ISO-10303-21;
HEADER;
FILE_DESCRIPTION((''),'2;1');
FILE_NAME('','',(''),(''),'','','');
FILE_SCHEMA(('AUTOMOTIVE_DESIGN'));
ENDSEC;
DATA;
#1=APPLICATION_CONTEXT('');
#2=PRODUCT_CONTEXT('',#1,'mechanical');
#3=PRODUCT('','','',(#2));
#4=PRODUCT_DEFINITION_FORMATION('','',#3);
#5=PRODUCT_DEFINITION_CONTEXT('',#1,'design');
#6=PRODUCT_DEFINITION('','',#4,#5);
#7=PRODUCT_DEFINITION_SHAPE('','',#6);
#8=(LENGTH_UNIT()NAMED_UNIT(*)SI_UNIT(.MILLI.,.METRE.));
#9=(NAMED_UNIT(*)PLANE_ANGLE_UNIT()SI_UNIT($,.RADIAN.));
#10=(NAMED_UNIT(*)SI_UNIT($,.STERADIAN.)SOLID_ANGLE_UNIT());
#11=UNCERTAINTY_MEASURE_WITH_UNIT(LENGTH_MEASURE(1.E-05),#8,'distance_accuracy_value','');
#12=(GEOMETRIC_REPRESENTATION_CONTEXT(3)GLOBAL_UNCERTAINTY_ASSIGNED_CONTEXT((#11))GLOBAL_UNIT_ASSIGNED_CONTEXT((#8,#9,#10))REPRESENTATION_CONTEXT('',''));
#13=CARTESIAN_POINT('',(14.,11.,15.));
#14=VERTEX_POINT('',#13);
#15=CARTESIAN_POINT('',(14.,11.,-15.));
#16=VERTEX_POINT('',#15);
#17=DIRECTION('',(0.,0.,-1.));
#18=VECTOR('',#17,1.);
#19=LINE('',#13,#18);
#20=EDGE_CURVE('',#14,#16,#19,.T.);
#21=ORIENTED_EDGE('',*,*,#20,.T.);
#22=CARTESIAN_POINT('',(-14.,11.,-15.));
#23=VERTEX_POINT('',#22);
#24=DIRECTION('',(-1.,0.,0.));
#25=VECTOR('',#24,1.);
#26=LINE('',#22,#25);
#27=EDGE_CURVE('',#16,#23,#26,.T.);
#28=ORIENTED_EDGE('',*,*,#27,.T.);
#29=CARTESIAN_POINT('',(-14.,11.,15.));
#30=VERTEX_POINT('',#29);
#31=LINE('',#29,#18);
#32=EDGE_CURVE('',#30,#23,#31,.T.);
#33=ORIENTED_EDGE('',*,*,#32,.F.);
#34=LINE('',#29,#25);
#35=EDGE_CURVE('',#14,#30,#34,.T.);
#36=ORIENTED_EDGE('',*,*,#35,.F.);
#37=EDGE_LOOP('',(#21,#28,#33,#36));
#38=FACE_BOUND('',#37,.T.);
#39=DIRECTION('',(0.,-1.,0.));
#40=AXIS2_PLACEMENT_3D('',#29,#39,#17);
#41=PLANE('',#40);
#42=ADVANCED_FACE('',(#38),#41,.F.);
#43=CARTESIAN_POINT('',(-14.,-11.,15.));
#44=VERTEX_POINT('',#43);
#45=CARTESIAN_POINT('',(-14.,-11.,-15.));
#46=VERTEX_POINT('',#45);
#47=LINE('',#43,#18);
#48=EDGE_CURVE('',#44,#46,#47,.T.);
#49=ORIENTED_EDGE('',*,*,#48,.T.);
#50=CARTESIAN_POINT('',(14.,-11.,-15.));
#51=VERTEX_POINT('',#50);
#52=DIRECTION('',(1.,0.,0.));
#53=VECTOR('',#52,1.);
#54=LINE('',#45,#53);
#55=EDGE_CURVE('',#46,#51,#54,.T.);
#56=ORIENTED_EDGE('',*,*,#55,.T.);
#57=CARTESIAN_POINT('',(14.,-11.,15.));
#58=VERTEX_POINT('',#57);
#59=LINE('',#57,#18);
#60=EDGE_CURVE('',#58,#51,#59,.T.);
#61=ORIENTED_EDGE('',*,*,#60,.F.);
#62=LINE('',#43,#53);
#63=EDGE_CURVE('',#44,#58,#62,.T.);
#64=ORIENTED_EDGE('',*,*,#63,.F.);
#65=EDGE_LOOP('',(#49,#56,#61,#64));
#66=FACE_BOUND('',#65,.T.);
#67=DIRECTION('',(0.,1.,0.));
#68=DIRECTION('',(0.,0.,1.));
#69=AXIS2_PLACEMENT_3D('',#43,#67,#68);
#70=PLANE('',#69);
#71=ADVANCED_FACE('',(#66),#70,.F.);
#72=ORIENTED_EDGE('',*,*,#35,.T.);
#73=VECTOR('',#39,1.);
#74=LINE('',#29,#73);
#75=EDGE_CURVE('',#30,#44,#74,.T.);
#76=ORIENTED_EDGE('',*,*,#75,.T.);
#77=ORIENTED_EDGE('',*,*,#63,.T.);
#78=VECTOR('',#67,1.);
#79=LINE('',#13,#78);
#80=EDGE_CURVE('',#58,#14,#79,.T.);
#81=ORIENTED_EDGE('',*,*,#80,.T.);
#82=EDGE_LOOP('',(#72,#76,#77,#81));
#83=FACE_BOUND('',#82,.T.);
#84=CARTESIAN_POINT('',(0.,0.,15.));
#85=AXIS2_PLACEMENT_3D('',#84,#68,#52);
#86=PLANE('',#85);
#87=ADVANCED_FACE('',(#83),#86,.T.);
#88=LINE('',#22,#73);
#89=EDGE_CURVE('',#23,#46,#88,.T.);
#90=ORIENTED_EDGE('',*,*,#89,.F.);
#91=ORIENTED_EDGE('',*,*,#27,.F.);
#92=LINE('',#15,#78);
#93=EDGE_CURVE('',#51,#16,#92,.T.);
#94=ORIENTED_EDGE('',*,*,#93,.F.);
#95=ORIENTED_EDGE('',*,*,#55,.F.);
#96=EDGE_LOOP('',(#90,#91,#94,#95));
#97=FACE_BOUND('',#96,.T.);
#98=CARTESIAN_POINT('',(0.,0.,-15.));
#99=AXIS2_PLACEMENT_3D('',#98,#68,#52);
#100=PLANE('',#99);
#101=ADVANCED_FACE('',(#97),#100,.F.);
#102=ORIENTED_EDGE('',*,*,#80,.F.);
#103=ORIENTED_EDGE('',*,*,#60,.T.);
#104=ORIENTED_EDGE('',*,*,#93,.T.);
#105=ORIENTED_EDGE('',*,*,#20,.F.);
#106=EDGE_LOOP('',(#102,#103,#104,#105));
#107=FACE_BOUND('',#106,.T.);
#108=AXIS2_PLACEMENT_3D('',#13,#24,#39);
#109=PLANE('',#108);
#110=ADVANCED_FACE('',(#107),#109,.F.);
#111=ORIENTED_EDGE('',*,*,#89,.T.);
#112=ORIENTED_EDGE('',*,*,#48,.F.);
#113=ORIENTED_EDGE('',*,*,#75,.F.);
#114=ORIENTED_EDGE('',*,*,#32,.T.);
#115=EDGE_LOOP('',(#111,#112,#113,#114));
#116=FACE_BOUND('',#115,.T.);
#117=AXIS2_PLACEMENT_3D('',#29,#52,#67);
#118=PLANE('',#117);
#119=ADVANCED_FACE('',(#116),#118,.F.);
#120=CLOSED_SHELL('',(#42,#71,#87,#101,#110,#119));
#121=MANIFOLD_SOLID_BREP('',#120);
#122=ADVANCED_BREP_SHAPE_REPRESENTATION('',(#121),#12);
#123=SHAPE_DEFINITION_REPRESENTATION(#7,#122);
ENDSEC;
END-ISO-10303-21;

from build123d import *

# Parameters (mm, degrees)
CROQUIS1_W              = 28
CROQUIS1_H              = 22
SALIENTE_EXTRUIR1_DEPTH = 15


with BuildPart() as part:
    # Croquis1 → Saliente-Extruir1 (new, symmetric)
    with BuildSketch(Plane.XY):
        Rectangle(CROQUIS1_W, CROQUIS1_H)
    extrude(amount=SALIENTE_EXTRUIR1_DEPTH, both=True)


solid = part.part
